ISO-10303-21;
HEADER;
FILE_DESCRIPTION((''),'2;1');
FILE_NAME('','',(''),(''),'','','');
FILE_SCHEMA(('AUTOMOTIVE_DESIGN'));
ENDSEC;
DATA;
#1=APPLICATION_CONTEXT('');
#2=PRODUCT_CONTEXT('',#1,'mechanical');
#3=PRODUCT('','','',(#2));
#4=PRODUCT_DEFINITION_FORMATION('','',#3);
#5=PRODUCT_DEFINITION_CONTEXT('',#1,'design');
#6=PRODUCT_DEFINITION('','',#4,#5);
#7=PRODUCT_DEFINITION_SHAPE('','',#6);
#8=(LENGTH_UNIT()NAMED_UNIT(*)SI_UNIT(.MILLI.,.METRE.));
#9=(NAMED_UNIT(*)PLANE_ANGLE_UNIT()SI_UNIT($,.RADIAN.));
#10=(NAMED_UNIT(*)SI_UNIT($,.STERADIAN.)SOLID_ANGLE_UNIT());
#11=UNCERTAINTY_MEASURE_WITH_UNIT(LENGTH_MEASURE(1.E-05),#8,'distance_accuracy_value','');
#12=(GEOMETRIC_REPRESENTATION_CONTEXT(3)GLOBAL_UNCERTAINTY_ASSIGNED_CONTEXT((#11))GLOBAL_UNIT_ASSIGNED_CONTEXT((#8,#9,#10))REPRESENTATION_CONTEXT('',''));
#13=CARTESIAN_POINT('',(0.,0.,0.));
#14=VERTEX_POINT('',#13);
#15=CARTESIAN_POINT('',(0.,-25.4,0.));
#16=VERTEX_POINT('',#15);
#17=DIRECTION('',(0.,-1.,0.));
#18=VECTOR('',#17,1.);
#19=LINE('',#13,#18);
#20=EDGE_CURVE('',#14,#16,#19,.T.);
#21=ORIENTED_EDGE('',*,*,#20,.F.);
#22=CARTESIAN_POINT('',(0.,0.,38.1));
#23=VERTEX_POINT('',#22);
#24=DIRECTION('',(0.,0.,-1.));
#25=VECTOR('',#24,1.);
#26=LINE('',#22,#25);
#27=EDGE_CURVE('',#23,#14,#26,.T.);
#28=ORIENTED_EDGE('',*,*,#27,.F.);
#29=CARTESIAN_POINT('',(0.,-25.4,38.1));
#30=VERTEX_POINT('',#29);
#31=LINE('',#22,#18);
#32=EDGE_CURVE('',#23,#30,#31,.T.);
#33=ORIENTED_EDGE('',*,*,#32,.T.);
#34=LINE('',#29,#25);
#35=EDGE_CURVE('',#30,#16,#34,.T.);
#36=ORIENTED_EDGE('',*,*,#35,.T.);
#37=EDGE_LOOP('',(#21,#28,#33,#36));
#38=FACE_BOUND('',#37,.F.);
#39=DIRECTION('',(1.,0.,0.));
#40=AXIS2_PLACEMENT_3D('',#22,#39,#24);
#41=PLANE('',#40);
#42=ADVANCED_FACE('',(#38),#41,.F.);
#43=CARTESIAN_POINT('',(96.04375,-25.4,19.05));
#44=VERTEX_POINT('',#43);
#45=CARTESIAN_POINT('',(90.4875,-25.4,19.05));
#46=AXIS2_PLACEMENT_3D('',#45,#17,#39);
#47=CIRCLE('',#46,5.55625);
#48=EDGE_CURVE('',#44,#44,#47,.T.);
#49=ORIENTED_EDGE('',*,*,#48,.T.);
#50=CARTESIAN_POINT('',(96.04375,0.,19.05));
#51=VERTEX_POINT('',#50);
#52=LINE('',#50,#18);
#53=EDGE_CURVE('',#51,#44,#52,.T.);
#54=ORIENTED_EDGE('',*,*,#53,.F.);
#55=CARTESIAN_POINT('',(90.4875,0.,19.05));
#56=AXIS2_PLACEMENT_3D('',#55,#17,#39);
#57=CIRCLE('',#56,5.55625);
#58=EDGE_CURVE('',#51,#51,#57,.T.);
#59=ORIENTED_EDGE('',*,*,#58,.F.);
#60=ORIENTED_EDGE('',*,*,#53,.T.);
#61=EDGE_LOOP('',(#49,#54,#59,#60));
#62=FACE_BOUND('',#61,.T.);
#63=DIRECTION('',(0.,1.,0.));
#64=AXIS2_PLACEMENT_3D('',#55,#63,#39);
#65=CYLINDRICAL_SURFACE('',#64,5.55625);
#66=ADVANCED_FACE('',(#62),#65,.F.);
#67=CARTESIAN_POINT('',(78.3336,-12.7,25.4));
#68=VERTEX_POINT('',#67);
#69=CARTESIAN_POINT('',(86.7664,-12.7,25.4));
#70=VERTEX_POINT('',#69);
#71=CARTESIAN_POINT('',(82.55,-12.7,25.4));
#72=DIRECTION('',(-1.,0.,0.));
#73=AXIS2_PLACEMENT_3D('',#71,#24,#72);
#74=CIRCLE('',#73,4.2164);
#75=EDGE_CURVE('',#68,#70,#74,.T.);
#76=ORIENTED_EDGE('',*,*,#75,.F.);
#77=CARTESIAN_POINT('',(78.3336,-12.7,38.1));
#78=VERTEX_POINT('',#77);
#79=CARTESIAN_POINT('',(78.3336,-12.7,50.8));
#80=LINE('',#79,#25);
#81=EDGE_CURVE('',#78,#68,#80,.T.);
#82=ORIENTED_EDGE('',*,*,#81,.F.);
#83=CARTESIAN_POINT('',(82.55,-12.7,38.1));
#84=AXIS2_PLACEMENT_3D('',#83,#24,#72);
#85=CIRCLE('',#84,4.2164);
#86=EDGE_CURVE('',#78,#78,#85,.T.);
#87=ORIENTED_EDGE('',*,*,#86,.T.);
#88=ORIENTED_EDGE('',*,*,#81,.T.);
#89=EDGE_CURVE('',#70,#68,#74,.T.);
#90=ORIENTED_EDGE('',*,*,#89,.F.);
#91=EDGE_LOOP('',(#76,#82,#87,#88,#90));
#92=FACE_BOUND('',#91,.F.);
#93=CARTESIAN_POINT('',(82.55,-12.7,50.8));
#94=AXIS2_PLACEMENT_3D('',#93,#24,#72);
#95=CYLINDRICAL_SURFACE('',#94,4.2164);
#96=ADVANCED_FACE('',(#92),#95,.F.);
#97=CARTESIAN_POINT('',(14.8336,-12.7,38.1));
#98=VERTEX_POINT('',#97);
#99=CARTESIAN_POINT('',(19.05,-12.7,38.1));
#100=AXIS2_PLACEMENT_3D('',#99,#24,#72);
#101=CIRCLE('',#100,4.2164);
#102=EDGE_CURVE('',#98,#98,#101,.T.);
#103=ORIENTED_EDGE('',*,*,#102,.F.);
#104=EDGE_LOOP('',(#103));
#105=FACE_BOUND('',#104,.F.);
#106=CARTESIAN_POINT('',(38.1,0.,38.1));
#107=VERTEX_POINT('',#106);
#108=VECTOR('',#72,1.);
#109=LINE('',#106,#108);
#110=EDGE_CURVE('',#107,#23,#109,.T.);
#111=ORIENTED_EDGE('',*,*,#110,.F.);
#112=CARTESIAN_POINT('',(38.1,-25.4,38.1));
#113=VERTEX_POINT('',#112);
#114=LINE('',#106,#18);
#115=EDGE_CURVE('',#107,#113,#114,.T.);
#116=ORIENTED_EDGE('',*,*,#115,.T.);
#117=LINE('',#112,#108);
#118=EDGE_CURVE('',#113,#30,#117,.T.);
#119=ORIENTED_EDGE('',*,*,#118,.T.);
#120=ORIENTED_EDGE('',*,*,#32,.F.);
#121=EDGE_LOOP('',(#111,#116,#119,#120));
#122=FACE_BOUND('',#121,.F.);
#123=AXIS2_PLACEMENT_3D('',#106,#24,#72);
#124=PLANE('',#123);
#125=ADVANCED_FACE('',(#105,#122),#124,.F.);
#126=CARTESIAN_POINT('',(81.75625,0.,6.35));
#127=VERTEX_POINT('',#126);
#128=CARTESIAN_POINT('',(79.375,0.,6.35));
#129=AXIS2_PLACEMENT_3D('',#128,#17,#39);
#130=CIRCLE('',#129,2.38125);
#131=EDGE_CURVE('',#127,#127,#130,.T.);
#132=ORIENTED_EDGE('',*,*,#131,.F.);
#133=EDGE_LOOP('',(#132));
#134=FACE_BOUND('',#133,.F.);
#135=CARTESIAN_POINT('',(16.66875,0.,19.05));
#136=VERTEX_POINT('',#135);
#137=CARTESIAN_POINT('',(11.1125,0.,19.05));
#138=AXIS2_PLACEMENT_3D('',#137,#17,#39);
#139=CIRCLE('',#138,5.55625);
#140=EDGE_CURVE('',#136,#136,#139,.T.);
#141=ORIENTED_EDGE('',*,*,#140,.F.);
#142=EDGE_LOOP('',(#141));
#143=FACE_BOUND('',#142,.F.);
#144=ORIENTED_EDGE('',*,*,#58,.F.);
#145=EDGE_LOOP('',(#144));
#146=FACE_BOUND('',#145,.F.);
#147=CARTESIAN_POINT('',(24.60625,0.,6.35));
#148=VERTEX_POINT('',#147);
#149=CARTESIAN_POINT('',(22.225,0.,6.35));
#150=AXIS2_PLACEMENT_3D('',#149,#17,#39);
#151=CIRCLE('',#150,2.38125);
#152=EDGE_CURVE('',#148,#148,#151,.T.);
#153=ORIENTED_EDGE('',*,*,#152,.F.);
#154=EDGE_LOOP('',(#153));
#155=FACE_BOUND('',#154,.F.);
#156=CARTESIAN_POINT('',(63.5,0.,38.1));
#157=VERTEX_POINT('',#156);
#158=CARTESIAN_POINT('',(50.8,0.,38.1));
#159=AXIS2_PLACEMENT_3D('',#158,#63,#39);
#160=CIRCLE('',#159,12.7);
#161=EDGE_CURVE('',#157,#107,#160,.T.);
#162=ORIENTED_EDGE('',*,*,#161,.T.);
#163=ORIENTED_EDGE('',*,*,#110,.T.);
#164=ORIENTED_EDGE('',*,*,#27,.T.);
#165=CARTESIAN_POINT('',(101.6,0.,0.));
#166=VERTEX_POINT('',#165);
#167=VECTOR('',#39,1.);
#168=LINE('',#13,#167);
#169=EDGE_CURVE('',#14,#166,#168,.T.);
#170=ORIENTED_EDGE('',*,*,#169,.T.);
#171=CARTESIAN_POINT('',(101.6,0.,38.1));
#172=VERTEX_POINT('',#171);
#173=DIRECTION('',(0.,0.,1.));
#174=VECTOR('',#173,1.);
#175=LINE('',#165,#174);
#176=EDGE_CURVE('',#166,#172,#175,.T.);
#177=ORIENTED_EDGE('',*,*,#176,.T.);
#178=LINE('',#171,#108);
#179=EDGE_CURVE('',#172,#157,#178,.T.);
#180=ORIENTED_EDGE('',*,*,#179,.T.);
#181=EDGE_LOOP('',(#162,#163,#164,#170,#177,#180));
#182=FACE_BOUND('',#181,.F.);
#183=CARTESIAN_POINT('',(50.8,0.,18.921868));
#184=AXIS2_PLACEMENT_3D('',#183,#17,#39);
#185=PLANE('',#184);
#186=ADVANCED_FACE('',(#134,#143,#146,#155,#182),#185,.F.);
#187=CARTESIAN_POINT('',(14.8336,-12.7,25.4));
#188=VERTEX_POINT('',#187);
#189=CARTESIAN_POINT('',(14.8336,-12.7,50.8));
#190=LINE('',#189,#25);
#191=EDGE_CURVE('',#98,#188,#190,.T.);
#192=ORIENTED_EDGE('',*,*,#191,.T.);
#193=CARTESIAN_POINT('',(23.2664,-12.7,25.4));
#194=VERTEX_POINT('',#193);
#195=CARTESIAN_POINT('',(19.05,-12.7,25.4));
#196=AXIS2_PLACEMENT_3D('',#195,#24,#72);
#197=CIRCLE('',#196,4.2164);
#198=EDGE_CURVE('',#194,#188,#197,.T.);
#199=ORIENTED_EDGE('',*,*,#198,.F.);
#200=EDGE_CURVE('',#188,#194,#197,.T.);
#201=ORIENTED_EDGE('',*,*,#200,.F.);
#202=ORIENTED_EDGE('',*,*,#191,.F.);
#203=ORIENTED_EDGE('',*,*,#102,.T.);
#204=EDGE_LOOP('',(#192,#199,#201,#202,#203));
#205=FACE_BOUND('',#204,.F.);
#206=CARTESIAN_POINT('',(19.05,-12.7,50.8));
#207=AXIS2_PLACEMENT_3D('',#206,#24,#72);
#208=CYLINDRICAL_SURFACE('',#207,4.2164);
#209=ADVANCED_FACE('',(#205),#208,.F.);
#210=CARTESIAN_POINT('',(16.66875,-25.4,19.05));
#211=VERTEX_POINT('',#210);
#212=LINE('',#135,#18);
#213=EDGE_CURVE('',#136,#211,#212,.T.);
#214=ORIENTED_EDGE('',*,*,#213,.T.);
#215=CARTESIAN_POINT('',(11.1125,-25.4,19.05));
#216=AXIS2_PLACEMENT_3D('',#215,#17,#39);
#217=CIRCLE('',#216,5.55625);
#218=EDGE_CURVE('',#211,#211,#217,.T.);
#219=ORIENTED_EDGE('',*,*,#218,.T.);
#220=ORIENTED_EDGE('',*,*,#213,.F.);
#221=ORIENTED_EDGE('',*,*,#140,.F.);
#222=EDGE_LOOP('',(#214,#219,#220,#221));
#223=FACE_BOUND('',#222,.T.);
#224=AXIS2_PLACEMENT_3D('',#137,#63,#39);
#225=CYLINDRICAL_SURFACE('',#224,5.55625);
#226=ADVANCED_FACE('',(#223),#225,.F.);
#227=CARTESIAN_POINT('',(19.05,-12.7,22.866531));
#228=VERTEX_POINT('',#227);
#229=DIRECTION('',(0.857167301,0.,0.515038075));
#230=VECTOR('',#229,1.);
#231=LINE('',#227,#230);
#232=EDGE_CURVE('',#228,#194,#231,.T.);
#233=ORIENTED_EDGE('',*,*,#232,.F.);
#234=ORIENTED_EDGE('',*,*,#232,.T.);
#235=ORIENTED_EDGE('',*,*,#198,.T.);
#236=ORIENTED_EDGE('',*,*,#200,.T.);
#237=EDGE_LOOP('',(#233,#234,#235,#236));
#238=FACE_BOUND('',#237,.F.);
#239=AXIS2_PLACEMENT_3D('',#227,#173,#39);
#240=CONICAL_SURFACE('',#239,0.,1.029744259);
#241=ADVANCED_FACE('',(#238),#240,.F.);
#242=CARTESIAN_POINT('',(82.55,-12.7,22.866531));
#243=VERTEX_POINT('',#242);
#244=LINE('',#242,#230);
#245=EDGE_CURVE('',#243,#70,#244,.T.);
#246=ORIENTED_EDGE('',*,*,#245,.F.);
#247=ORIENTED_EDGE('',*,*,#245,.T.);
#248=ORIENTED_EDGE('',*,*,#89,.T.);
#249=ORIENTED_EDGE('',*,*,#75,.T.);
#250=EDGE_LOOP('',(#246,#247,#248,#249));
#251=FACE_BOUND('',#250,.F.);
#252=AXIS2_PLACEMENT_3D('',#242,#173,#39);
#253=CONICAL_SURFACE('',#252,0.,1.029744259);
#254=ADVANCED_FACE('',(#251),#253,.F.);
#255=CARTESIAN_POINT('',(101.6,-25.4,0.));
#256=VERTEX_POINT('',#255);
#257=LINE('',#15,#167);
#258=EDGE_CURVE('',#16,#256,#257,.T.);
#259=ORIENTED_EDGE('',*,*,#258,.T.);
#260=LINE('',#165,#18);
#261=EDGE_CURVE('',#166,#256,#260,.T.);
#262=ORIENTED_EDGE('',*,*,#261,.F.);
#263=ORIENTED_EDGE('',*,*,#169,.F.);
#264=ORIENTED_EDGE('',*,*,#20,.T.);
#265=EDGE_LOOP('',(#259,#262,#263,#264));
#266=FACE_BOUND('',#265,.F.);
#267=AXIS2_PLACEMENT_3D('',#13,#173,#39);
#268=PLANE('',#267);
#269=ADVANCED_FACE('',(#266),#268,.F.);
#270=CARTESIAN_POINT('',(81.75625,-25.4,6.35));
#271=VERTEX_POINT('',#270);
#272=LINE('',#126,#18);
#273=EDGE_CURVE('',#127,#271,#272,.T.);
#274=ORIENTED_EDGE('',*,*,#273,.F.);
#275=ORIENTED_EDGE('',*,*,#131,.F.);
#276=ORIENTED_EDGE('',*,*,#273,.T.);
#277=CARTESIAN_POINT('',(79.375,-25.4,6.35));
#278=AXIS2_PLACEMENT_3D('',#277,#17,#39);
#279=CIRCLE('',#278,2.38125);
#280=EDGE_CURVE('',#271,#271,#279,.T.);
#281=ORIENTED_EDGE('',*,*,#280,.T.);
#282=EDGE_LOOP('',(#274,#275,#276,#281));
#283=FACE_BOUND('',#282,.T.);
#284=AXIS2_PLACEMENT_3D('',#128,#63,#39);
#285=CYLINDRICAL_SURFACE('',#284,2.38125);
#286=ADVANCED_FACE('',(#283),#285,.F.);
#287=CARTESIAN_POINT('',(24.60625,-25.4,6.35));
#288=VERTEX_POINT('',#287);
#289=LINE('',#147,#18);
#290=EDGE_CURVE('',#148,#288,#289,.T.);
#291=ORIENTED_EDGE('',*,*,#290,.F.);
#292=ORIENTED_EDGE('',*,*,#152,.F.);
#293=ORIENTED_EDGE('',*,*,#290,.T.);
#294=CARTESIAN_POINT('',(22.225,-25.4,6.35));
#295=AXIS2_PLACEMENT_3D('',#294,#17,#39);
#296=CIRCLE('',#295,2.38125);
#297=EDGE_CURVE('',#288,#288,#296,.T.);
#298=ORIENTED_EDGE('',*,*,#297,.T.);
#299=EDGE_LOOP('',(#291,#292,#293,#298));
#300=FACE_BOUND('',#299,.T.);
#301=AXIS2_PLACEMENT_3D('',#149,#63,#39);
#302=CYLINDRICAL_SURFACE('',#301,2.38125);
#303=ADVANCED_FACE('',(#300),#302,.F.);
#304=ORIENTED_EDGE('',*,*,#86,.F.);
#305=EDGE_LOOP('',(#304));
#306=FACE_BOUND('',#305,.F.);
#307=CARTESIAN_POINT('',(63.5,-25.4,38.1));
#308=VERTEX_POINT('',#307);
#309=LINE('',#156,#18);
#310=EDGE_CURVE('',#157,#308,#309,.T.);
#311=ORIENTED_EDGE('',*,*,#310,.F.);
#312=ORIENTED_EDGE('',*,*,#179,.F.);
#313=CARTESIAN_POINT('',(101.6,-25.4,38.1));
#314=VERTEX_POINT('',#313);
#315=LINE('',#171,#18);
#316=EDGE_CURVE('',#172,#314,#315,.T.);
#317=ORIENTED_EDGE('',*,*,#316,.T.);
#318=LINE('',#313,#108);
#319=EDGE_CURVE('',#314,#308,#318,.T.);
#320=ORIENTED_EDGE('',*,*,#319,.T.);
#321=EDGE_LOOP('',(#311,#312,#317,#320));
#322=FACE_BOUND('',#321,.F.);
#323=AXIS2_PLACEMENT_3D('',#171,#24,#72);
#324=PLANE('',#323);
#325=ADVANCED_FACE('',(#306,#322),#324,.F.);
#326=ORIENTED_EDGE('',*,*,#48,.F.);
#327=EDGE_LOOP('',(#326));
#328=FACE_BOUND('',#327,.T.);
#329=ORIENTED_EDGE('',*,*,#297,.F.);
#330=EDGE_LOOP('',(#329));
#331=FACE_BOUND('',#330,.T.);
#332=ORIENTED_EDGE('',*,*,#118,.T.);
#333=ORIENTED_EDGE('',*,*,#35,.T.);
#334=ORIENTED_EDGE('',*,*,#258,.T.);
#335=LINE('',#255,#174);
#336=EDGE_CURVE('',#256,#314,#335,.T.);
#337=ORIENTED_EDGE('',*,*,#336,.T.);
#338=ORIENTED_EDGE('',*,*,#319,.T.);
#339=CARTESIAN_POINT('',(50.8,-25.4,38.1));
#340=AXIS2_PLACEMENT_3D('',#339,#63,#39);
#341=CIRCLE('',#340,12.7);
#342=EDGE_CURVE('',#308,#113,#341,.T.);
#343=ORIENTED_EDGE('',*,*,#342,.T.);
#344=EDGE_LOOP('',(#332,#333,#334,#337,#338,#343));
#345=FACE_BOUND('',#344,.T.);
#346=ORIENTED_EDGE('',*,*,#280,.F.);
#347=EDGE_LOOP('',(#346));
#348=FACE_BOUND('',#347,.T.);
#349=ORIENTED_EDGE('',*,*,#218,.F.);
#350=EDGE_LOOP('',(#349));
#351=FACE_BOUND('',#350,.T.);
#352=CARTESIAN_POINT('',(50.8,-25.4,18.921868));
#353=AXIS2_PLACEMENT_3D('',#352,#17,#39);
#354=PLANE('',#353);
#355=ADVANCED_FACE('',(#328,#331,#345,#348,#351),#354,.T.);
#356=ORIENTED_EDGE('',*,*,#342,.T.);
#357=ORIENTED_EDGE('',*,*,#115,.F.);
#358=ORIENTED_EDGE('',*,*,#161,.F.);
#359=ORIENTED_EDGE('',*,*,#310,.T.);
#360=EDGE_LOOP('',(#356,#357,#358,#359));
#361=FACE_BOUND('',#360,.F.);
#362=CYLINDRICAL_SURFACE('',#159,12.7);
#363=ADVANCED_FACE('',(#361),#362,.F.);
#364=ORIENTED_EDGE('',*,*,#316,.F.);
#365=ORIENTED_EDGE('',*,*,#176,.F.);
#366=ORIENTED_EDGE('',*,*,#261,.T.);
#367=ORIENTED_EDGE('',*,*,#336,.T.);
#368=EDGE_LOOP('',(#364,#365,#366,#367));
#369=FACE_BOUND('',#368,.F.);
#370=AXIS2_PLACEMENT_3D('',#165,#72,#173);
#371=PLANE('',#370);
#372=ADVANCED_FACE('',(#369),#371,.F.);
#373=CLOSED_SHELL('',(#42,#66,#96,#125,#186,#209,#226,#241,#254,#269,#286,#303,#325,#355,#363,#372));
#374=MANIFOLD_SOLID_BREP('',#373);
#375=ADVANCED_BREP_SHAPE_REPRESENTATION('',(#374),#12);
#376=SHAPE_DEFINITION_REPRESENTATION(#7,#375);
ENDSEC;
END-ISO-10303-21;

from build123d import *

# Parameters (mm, degrees)
F0_R     = 2.38125
F0_R_2   = 5.55625
F1_DEPTH = 25.4
F3_D     = 8.4328
F3_DEPTH = 12.7
F3_TIP   = 2.5334687141


with BuildPart() as f1:
    # F0 (on Front) → F1 (new body)
    with BuildSketch(Plane.XZ):
        with BuildLine():
            Line((0, 38.1), (0, 0))
            Line((0, 0), (101.6, 0))
            Line((101.6, 0), (101.6, 38.1))
            Line((101.6, 38.1), (63.5, 38.1))
            ThreePointArc((63.5, 38.1), (50.8, 25.4), (38.1, 38.1))
            Line((38.1, 38.1), (0, 38.1))
        make_face()
        with Locations((22.225, 6.35)):
            Circle(F0_R, mode=Mode.SUBTRACT)
        with Locations((79.375, 6.35)):
            Circle(F0_R, mode=Mode.SUBTRACT)
        with Locations((11.1125, 19.05)):
            Circle(F0_R_2, mode=Mode.SUBTRACT)
        with Locations((90.4875, 19.05)):
            Circle(F0_R_2, mode=Mode.SUBTRACT)
    extrude(amount=F1_DEPTH)

    # F3
    with Locations(Plane.XY.offset(38.1)):
        with Locations((19.05, -12.7), (82.55, -12.7)):
            Hole(F3_D / 2, depth=F3_DEPTH)
            with Locations((0, 0, -(F3_DEPTH + F3_TIP / 2))):  # 118° drill point
                Cone(0, F3_D / 2, F3_TIP, mode=Mode.SUBTRACT)


solid = f1.part
